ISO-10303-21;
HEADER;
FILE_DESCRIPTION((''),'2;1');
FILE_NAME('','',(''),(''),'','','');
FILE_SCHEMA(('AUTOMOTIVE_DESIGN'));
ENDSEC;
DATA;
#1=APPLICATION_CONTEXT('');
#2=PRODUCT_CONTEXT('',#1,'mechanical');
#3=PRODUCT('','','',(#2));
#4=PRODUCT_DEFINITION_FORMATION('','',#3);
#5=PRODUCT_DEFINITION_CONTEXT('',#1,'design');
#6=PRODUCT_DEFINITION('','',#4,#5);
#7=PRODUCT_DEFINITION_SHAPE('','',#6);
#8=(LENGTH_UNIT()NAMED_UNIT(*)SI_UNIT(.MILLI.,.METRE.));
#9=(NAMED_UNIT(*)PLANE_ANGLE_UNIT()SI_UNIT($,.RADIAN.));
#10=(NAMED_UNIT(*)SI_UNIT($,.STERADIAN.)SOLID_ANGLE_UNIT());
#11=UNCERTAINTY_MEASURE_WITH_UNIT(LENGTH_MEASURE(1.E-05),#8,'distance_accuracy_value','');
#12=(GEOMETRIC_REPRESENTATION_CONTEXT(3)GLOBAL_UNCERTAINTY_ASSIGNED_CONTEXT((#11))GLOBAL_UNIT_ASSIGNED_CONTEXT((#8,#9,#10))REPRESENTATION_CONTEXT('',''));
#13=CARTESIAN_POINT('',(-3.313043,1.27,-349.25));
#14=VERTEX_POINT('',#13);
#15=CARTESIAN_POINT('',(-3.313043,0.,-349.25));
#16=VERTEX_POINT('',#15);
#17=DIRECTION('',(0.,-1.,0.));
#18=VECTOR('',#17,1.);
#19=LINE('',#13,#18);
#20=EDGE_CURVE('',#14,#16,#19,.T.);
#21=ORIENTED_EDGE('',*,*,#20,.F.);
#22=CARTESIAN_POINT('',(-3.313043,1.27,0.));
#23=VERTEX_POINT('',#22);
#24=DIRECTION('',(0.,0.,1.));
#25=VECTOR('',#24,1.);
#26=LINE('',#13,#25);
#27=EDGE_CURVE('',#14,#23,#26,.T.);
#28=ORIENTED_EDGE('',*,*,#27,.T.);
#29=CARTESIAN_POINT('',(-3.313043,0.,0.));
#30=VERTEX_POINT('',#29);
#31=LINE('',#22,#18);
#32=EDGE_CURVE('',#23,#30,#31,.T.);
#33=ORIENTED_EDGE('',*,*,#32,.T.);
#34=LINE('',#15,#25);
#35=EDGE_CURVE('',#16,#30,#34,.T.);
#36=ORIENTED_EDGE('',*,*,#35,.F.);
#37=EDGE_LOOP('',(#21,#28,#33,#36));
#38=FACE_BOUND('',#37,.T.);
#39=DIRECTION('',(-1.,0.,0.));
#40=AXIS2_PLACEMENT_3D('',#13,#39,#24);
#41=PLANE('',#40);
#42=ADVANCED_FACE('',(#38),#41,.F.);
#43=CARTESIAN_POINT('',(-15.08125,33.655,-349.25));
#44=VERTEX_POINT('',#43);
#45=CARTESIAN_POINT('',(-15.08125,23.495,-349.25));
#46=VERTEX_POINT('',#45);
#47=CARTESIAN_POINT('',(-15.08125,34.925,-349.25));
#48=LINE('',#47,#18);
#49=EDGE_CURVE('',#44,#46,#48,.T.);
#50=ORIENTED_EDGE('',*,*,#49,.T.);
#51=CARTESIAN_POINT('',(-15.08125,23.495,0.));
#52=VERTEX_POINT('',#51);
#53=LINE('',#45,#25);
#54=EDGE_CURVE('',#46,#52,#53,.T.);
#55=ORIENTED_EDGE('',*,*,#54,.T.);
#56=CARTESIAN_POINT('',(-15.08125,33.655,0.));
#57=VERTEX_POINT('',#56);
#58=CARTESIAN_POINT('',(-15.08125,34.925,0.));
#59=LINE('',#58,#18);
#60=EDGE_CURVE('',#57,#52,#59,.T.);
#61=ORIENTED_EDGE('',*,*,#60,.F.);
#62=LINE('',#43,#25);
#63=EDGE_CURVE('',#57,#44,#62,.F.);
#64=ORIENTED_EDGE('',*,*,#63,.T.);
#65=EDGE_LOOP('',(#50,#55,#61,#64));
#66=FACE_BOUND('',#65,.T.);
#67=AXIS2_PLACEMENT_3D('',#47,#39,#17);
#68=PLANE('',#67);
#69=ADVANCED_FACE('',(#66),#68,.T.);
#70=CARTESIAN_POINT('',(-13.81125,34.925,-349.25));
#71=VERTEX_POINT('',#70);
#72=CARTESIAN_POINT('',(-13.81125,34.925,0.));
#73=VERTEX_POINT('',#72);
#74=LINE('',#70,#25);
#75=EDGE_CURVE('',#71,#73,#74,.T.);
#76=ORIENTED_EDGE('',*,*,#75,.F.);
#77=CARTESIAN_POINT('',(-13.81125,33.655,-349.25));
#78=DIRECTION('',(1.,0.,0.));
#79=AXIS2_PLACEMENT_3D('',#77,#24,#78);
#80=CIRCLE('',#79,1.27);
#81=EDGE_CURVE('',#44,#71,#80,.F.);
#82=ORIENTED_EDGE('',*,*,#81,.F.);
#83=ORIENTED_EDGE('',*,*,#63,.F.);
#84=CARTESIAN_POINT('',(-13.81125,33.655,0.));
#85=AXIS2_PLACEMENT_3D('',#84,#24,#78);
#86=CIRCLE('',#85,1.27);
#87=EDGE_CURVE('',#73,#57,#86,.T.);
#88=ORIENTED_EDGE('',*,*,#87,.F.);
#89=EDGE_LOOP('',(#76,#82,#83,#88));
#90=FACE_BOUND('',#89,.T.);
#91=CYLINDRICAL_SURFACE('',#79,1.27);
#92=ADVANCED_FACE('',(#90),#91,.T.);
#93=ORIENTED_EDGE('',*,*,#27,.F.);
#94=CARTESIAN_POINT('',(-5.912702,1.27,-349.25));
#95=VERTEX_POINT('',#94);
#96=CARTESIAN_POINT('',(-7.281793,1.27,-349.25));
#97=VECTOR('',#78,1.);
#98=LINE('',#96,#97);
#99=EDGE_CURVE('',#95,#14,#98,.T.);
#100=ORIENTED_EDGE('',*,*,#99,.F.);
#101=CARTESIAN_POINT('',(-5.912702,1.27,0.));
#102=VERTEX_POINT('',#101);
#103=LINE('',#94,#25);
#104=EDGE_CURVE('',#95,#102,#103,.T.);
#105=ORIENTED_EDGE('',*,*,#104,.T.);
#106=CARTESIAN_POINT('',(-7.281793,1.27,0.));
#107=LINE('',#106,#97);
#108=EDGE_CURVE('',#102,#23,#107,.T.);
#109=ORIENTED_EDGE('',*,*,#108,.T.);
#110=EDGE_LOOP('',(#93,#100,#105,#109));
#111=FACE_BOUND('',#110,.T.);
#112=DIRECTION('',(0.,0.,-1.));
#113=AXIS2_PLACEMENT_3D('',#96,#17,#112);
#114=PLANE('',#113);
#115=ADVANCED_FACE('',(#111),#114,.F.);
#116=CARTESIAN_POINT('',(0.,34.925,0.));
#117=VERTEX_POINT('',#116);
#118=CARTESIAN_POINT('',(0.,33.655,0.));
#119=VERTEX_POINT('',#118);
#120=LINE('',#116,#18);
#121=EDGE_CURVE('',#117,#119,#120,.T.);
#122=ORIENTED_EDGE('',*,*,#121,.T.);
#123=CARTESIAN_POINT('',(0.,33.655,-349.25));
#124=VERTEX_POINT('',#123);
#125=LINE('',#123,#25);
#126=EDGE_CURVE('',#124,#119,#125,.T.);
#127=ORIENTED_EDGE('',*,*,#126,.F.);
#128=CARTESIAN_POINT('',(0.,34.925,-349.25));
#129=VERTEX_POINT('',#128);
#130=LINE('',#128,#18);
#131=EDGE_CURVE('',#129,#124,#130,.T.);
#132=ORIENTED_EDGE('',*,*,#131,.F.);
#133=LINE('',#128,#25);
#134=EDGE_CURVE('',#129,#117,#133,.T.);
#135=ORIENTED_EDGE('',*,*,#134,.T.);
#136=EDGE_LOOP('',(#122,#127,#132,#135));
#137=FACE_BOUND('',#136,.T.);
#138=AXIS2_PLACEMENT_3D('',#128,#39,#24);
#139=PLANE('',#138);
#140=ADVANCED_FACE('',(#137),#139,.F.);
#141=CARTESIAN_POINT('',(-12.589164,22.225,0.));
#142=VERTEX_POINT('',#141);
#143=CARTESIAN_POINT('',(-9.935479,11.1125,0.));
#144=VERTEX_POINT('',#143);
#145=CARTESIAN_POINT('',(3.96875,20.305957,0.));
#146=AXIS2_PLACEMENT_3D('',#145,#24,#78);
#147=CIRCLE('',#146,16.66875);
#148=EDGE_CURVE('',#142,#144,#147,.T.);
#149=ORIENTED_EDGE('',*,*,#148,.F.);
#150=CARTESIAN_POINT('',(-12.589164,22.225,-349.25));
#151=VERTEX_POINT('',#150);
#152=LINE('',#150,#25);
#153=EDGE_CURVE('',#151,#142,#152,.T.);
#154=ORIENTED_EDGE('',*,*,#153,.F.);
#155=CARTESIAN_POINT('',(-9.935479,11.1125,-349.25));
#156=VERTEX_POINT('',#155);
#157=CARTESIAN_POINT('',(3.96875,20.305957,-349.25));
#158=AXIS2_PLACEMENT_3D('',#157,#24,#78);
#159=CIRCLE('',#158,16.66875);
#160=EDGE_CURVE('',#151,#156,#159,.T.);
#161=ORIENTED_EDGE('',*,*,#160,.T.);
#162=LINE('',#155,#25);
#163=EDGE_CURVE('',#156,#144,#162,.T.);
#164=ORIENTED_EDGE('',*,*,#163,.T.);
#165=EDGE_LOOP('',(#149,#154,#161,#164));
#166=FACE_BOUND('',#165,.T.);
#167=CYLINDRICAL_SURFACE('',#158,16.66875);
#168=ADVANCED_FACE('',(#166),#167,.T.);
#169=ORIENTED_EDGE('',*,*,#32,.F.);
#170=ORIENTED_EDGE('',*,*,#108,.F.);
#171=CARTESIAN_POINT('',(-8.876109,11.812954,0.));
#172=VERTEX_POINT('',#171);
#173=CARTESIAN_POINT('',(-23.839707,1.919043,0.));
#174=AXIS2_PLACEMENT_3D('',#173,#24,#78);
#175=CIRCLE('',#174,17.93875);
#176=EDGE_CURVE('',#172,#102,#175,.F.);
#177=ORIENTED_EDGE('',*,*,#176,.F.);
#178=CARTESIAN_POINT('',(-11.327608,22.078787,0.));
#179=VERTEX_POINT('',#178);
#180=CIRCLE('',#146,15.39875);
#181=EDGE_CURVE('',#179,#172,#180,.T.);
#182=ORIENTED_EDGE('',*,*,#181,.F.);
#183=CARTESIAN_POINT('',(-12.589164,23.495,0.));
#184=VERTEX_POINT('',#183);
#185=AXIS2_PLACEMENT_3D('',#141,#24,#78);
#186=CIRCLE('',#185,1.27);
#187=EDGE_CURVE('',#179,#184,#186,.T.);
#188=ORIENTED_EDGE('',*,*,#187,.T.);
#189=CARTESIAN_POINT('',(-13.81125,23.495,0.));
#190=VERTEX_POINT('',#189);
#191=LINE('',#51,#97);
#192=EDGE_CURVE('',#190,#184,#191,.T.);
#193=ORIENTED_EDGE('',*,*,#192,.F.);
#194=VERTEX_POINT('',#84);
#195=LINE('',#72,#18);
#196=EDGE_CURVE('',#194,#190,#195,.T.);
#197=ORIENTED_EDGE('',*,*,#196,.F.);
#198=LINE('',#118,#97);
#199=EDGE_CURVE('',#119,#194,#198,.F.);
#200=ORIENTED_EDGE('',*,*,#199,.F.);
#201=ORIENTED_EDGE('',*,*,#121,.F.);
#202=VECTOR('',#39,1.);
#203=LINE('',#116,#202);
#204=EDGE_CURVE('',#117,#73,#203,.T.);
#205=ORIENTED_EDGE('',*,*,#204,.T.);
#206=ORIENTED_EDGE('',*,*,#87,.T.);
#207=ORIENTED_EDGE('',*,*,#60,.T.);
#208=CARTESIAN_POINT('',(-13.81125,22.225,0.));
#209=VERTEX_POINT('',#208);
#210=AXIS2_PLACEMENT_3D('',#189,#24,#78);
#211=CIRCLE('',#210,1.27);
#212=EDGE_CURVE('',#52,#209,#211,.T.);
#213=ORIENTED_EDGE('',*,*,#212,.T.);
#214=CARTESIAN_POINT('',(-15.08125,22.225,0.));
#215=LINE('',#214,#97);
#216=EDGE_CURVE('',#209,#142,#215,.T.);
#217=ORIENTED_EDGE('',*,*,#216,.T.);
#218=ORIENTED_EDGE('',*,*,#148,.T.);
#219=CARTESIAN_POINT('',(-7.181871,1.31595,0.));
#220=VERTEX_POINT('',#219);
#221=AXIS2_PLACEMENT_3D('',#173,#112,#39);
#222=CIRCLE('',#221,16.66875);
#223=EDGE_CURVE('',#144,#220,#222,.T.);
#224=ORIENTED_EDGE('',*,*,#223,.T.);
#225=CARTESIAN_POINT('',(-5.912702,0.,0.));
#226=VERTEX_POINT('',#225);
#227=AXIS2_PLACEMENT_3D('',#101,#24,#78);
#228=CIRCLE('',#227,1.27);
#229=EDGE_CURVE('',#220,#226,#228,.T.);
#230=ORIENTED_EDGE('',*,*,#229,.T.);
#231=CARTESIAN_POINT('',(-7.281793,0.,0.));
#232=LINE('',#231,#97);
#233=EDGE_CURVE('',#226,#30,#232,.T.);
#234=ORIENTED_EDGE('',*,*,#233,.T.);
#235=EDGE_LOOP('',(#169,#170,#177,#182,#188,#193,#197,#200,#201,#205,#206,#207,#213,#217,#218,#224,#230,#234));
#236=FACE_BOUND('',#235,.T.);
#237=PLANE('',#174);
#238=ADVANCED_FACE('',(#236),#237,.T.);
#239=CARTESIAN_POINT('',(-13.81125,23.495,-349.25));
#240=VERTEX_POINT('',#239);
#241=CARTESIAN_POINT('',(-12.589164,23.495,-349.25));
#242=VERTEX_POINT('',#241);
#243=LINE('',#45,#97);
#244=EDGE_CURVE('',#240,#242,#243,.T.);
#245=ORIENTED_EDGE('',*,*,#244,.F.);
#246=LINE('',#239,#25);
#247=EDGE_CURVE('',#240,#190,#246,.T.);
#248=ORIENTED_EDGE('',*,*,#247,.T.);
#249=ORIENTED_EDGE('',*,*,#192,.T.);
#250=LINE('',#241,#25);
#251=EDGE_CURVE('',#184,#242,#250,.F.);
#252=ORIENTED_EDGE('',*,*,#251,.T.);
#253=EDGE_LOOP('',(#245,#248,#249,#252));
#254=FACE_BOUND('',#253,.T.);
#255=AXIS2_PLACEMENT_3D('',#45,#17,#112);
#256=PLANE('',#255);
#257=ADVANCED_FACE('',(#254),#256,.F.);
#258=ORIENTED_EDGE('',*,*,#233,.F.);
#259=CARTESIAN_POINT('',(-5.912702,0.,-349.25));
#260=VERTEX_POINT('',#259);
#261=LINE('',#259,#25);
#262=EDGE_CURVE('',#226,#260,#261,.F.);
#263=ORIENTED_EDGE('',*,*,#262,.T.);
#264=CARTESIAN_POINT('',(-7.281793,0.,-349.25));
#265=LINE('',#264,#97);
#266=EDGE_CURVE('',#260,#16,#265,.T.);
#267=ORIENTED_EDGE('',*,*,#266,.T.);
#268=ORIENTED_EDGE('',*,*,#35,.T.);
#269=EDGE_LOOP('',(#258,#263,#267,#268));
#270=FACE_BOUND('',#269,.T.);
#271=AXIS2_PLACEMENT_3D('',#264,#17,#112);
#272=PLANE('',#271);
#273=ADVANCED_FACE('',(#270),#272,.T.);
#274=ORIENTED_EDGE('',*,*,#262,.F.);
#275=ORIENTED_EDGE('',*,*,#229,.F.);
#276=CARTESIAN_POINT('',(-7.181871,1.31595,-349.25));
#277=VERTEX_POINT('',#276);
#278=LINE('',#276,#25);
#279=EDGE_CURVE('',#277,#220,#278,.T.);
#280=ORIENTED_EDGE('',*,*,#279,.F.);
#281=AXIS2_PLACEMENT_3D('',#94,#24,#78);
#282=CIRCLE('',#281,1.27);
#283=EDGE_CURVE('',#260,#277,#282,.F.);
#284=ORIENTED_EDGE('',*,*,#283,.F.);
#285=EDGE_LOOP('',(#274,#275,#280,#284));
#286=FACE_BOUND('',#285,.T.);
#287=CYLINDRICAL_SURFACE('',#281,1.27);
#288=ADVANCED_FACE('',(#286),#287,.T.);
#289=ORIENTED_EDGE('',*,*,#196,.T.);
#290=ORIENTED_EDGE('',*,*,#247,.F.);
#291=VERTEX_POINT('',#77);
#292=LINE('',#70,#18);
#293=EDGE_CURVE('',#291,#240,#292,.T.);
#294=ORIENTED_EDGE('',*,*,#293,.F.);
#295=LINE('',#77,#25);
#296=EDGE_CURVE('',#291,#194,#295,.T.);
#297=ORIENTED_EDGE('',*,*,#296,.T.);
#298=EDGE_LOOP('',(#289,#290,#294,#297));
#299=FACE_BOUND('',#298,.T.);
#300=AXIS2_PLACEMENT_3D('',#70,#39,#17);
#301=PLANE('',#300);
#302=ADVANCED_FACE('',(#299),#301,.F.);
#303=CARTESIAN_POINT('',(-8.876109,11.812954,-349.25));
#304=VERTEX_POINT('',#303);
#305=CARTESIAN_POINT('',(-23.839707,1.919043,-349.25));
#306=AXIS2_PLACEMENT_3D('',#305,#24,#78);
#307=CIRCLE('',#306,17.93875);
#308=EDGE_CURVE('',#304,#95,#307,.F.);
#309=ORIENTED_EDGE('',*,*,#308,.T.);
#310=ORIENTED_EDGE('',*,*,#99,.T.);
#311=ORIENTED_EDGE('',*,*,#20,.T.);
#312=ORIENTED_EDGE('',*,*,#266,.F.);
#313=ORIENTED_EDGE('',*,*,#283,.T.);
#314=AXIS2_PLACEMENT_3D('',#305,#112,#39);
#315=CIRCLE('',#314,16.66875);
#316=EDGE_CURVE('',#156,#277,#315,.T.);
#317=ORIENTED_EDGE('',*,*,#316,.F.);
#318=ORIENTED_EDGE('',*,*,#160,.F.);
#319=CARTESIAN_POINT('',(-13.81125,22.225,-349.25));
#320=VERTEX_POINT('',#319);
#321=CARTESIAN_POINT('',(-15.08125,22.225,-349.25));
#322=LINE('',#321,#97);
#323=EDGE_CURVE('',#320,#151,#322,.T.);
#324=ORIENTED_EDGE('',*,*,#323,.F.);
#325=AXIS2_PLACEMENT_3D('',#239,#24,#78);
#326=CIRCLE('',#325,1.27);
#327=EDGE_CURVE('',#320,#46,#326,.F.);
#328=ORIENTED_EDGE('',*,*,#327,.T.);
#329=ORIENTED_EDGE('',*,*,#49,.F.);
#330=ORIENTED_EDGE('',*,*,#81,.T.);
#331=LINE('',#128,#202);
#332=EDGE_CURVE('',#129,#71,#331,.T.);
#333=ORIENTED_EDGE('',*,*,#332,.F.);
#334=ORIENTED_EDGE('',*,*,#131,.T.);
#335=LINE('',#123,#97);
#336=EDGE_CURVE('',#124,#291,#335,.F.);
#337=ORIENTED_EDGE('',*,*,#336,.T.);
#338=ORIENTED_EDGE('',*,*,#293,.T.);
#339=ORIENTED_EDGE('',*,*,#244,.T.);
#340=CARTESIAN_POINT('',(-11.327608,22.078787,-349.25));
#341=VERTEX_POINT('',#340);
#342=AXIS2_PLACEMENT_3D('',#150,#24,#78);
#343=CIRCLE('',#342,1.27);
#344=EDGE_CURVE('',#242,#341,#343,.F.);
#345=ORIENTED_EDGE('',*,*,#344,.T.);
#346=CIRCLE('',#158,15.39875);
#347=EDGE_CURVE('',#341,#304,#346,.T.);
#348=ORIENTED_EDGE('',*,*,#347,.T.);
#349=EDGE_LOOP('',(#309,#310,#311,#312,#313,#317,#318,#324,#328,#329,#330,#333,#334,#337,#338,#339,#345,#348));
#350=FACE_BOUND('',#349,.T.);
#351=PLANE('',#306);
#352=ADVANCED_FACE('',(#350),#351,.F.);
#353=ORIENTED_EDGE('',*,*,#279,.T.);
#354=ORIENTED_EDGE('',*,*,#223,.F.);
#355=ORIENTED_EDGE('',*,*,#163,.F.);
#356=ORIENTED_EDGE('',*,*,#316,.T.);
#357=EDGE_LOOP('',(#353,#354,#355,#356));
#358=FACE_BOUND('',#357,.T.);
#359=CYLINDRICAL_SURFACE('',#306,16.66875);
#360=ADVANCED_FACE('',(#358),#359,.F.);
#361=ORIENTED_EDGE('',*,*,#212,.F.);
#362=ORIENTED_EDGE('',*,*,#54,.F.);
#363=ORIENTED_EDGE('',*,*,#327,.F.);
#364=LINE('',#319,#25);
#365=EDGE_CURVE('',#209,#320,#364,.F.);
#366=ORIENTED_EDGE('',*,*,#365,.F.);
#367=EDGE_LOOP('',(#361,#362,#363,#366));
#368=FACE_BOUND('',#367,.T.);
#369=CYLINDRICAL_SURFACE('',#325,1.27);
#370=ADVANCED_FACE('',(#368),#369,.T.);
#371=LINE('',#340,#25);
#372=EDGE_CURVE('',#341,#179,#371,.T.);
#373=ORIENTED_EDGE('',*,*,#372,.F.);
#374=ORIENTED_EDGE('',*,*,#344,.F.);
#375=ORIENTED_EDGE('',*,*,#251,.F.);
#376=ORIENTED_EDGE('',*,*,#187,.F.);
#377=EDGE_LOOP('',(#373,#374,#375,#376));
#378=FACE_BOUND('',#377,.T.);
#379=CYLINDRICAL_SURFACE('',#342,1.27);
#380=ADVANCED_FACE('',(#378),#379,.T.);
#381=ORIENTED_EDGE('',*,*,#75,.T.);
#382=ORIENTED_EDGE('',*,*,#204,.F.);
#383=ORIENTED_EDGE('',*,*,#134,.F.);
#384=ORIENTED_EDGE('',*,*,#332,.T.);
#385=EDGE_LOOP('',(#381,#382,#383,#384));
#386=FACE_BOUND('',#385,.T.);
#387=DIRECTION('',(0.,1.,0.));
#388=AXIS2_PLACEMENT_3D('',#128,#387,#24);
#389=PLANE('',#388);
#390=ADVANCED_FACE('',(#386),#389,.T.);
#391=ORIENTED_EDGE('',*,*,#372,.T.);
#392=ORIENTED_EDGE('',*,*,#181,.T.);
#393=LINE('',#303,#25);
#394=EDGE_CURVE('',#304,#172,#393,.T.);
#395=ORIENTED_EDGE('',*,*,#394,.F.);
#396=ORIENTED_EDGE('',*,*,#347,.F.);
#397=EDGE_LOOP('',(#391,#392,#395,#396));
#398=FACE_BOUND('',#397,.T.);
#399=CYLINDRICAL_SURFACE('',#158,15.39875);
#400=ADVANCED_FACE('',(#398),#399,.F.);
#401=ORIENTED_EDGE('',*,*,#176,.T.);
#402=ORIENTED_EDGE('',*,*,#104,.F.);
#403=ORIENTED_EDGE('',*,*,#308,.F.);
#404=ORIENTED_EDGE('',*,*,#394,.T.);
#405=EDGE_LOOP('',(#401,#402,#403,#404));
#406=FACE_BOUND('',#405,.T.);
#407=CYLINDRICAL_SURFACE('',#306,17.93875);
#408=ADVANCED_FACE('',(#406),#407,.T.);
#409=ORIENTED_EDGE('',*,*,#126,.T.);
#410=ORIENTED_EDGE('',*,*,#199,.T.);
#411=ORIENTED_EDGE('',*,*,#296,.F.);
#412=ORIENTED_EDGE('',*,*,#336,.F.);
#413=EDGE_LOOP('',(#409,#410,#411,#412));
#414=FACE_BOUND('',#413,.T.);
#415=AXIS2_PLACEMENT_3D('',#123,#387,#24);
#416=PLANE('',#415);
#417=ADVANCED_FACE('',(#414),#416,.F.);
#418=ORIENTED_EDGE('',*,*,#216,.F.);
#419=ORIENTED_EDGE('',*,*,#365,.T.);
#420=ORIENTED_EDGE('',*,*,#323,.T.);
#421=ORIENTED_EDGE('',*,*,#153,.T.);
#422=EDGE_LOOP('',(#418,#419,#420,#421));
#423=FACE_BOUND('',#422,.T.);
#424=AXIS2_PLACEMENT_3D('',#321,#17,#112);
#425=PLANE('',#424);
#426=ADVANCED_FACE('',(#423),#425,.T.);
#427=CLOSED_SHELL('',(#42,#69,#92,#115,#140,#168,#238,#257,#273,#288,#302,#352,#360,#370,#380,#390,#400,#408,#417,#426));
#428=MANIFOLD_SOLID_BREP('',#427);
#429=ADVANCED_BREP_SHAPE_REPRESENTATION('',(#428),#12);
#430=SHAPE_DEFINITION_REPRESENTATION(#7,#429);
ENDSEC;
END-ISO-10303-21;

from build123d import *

# Parameters (mm, degrees)
EXTRUDE_THIN1_DEPTH = 349.25
FILLET1_R           = 1.27


with BuildPart() as part:
    # Sketch1 → Extrude-Thin1 (new body)
    with BuildSketch(Plane.XY):
        with BuildLine():
            Line((0, 34.925), (-15.08125, 34.925))
            Line((-15.08125, 34.925), (-15.08125, 22.225))
            Line((-15.08125, 22.225), (-12.589163559, 22.225))
            ThreePointArc((-12.589163559, 22.225), (-12.244128802, 16.434292536), (-9.935478518, 11.1125))
            ThreePointArc((-9.935478518, 11.1125), (-7.626828235, 5.790707464), (-7.281793478, 0))
            Line((-7.281793478, 0), (-3.313043478, 0))
            Line((-3.313043478, 0), (-3.313043478, 1.27))
            Line((-3.313043478, 1.27), (-5.912702406, 1.27))
            ThreePointArc((-5.912702406, 1.27), (-6.570184472, 6.773148448), (-8.876108727, 11.812953884))
            ThreePointArc((-8.876108727, 11.812953884), (-11.159248724, 17.431038769), (-11.096159817, 23.495))
            Line((-11.096159817, 23.495), (-13.81125, 23.495))
            Line((-13.81125, 23.495), (-13.81125, 33.655))
            Line((-13.81125, 33.655), (0, 33.655))
            Line((0, 33.655), (0, 34.925))
        make_face()
    extrude(amount=-EXTRUDE_THIN1_DEPTH)

    # Fillet1
    fillet1_edges = [part.edges().sort_by_distance(p)[0] for p in [
        (-7.281793478, 0, -174.625),
        (-15.08125, 22.225, -174.625),
        (-15.08125, 34.925, -174.625),
        (-11.096159817, 23.495, -174.625),
    ]]
    fillet(fillet1_edges, radius=FILLET1_R)


solid = part.part
